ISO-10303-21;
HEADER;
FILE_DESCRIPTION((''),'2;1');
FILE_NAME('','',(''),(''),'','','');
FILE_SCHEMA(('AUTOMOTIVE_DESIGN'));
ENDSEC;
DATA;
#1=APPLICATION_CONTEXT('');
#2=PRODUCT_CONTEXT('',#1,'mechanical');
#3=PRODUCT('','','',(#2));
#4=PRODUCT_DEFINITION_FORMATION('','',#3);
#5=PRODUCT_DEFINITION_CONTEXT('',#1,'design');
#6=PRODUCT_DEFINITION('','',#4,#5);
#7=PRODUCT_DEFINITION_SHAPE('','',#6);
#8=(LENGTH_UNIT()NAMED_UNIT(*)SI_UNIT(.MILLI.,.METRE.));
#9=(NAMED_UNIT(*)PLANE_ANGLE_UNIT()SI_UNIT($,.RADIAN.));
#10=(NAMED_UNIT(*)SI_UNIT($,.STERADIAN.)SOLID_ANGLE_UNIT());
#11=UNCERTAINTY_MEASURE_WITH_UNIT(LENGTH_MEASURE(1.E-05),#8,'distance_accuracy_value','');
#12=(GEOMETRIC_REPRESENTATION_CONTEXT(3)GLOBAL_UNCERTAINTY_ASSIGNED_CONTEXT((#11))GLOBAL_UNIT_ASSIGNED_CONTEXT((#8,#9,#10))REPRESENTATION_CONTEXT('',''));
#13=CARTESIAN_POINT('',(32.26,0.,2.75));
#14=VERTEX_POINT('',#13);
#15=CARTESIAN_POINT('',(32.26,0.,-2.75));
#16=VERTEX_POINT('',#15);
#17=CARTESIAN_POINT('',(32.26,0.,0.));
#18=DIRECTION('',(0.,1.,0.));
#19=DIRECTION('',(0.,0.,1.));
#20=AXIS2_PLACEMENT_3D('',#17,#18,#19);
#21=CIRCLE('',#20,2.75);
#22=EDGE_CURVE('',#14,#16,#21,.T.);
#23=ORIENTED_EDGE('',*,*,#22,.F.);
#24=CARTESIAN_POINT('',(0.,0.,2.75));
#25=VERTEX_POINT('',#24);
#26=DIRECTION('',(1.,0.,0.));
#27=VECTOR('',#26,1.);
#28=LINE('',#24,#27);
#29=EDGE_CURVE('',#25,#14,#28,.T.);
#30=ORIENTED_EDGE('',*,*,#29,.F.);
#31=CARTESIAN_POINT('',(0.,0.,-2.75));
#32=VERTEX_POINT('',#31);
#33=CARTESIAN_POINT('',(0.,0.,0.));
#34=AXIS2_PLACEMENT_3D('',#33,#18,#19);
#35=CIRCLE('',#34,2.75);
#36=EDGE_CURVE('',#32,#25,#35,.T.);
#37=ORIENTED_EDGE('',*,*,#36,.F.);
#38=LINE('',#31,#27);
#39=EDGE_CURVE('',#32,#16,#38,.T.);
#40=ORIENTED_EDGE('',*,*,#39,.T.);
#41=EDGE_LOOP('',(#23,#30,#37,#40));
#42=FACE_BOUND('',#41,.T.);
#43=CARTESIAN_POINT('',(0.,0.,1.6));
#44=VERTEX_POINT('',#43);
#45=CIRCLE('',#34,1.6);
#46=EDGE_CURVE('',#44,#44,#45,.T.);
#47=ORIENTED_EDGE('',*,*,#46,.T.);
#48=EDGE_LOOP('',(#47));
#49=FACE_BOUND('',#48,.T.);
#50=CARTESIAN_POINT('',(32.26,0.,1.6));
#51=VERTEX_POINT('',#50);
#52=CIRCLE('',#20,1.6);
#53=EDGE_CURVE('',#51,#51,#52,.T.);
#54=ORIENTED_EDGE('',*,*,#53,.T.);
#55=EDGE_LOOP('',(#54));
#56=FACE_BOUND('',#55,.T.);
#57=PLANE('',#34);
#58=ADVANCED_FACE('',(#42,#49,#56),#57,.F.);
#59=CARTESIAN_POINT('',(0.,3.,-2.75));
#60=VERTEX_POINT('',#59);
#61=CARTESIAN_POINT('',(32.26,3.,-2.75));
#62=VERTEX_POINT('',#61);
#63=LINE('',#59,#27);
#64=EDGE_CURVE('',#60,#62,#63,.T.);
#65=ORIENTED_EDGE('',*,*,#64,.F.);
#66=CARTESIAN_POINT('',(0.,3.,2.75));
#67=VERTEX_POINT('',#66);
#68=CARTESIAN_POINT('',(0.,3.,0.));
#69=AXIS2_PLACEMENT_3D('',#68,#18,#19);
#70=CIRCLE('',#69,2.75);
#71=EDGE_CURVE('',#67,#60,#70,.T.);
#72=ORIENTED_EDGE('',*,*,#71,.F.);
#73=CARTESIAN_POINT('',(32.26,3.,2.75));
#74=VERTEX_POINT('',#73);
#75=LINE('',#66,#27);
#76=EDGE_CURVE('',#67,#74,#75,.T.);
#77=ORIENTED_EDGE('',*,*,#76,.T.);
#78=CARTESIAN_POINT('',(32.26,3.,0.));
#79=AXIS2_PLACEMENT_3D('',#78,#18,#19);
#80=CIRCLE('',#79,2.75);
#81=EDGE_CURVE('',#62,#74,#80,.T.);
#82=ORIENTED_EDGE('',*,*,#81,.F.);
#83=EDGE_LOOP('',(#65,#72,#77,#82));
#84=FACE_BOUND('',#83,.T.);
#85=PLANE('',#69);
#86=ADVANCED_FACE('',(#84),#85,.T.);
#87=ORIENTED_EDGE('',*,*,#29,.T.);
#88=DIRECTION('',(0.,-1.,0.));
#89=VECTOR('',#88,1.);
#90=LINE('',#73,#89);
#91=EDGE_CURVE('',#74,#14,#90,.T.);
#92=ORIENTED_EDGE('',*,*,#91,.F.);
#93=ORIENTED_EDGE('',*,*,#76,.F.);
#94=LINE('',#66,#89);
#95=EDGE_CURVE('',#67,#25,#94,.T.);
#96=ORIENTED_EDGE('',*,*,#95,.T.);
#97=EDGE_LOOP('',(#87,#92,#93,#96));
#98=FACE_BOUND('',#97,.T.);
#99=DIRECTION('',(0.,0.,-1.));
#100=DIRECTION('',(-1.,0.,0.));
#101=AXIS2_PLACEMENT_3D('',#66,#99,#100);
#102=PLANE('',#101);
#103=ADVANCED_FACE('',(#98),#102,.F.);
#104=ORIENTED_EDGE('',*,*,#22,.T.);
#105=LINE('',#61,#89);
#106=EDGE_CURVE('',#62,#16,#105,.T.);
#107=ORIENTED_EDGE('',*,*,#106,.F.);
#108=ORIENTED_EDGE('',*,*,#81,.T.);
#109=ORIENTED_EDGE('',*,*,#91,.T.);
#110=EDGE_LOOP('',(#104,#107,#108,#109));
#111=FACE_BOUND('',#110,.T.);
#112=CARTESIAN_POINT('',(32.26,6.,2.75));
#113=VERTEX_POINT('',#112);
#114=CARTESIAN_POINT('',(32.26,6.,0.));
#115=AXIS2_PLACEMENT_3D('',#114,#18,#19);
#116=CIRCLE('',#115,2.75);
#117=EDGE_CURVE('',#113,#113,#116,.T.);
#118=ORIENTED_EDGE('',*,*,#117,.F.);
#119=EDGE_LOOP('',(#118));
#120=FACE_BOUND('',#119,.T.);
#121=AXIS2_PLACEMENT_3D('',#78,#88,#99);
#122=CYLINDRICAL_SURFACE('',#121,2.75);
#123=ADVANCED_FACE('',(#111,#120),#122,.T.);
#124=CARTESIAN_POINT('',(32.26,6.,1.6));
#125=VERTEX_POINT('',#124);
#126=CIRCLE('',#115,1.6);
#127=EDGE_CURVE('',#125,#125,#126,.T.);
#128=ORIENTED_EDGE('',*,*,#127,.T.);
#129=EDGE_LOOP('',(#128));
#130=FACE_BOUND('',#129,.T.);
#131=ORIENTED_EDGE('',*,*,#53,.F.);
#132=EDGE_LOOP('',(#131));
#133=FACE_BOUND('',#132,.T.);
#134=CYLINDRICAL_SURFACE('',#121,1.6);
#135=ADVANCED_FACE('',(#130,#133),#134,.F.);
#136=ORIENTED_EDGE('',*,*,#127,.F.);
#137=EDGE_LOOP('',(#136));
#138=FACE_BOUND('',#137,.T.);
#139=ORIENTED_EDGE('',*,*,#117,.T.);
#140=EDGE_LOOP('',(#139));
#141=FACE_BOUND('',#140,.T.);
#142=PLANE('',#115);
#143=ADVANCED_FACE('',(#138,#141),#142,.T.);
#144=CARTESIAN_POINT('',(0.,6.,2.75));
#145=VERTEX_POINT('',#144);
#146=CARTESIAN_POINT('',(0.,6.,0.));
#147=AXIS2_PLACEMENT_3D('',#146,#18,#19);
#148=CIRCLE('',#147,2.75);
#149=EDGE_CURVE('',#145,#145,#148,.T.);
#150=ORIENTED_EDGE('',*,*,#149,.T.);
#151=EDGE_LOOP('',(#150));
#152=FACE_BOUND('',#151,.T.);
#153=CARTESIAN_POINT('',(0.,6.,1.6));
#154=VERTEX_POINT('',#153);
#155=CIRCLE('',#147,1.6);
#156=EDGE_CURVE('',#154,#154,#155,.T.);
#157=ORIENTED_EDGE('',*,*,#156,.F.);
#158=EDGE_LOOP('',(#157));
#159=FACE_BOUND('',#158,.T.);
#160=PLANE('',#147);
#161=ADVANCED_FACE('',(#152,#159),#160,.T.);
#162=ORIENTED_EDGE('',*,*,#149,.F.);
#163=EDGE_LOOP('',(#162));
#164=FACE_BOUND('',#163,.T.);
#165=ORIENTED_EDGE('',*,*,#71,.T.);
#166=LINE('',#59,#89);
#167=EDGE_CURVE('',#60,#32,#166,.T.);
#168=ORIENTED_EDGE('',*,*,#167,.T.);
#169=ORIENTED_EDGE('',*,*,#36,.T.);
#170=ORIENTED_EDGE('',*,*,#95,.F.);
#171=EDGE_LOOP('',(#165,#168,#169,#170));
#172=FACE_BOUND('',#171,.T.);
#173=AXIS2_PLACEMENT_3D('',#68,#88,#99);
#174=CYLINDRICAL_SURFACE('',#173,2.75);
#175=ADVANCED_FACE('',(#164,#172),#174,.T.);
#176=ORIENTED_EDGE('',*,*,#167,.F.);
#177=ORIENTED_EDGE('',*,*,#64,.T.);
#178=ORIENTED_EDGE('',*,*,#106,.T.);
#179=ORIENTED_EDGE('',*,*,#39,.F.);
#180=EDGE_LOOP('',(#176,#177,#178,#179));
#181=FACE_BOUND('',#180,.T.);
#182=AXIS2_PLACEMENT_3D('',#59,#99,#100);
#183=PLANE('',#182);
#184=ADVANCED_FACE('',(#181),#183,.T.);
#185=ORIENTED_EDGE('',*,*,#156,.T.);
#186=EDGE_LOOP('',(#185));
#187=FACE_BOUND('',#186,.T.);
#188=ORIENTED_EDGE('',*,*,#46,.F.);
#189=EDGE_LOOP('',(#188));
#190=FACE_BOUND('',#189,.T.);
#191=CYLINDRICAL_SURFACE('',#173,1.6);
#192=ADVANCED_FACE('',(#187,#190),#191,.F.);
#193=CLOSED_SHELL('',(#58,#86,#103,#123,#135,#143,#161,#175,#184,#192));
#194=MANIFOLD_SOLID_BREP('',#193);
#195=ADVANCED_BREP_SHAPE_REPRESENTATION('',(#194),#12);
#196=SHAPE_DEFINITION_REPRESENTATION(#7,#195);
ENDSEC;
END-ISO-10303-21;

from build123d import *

# Parameters (mm, degrees)
CROQUIS1_R              = 1.6
SALIENTE_EXTRUIR1_DEPTH = 3
CROQUIS2_R              = 2.75
CROQUIS2_R_2            = 1.6
SALIENTE_EXTRUIR2_DEPTH = 3


with BuildPart() as part:
    # Croquis1 → Saliente-Extruir1 (new body)
    with BuildSketch(Plane(origin=(0, 0, 0), x_dir=(1, 0, 0), z_dir=(0, 1, 0))):
        with BuildLine():
            ThreePointArc((0, 2.75), (-2.75, 0), (0, -2.75))
            Line((0, -2.75), (32.26, -2.75))
            ThreePointArc((32.26, -2.75), (35.01, 0), (32.26, 2.75))
            Line((32.26, 2.75), (0, 2.75))
        make_face()
        with Locations(Location((0, 0, 0), (0, 0, 270))):
            Circle(CROQUIS1_R, mode=Mode.SUBTRACT)
        with Locations(Location((32.26, 0, 0), (0, 0, 270))):
            Circle(CROQUIS1_R, mode=Mode.SUBTRACT)
    extrude(amount=SALIENTE_EXTRUIR1_DEPTH)

    # Croquis2 → Saliente-Extruir2 (add)
    # profile 1 of 2: a face of its own
    with BuildSketch(Plane(origin=(0, 3, 0), x_dir=(1, 0, 0), z_dir=(0, 1, 0))):
        with Locations(Location((0, 0, 0), (0, 0, 270))):
            Circle(CROQUIS2_R)
        with Locations(Location((0, 0, 0), (0, 0, 270))):
            Circle(CROQUIS2_R_2, mode=Mode.SUBTRACT)
    # profile 2 of 2: a face of its own
    with BuildSketch(Plane(origin=(0, 3, 0), x_dir=(1, 0, 0), z_dir=(0, 1, 0))):
        with Locations(Location((32.26, 0, 0), (0, 0, 270))):
            Circle(CROQUIS2_R)
        with Locations(Location((32.26, 0, 0), (0, 0, 270))):
            Circle(CROQUIS2_R_2, mode=Mode.SUBTRACT)
    extrude(amount=SALIENTE_EXTRUIR2_DEPTH)


solid = part.part
